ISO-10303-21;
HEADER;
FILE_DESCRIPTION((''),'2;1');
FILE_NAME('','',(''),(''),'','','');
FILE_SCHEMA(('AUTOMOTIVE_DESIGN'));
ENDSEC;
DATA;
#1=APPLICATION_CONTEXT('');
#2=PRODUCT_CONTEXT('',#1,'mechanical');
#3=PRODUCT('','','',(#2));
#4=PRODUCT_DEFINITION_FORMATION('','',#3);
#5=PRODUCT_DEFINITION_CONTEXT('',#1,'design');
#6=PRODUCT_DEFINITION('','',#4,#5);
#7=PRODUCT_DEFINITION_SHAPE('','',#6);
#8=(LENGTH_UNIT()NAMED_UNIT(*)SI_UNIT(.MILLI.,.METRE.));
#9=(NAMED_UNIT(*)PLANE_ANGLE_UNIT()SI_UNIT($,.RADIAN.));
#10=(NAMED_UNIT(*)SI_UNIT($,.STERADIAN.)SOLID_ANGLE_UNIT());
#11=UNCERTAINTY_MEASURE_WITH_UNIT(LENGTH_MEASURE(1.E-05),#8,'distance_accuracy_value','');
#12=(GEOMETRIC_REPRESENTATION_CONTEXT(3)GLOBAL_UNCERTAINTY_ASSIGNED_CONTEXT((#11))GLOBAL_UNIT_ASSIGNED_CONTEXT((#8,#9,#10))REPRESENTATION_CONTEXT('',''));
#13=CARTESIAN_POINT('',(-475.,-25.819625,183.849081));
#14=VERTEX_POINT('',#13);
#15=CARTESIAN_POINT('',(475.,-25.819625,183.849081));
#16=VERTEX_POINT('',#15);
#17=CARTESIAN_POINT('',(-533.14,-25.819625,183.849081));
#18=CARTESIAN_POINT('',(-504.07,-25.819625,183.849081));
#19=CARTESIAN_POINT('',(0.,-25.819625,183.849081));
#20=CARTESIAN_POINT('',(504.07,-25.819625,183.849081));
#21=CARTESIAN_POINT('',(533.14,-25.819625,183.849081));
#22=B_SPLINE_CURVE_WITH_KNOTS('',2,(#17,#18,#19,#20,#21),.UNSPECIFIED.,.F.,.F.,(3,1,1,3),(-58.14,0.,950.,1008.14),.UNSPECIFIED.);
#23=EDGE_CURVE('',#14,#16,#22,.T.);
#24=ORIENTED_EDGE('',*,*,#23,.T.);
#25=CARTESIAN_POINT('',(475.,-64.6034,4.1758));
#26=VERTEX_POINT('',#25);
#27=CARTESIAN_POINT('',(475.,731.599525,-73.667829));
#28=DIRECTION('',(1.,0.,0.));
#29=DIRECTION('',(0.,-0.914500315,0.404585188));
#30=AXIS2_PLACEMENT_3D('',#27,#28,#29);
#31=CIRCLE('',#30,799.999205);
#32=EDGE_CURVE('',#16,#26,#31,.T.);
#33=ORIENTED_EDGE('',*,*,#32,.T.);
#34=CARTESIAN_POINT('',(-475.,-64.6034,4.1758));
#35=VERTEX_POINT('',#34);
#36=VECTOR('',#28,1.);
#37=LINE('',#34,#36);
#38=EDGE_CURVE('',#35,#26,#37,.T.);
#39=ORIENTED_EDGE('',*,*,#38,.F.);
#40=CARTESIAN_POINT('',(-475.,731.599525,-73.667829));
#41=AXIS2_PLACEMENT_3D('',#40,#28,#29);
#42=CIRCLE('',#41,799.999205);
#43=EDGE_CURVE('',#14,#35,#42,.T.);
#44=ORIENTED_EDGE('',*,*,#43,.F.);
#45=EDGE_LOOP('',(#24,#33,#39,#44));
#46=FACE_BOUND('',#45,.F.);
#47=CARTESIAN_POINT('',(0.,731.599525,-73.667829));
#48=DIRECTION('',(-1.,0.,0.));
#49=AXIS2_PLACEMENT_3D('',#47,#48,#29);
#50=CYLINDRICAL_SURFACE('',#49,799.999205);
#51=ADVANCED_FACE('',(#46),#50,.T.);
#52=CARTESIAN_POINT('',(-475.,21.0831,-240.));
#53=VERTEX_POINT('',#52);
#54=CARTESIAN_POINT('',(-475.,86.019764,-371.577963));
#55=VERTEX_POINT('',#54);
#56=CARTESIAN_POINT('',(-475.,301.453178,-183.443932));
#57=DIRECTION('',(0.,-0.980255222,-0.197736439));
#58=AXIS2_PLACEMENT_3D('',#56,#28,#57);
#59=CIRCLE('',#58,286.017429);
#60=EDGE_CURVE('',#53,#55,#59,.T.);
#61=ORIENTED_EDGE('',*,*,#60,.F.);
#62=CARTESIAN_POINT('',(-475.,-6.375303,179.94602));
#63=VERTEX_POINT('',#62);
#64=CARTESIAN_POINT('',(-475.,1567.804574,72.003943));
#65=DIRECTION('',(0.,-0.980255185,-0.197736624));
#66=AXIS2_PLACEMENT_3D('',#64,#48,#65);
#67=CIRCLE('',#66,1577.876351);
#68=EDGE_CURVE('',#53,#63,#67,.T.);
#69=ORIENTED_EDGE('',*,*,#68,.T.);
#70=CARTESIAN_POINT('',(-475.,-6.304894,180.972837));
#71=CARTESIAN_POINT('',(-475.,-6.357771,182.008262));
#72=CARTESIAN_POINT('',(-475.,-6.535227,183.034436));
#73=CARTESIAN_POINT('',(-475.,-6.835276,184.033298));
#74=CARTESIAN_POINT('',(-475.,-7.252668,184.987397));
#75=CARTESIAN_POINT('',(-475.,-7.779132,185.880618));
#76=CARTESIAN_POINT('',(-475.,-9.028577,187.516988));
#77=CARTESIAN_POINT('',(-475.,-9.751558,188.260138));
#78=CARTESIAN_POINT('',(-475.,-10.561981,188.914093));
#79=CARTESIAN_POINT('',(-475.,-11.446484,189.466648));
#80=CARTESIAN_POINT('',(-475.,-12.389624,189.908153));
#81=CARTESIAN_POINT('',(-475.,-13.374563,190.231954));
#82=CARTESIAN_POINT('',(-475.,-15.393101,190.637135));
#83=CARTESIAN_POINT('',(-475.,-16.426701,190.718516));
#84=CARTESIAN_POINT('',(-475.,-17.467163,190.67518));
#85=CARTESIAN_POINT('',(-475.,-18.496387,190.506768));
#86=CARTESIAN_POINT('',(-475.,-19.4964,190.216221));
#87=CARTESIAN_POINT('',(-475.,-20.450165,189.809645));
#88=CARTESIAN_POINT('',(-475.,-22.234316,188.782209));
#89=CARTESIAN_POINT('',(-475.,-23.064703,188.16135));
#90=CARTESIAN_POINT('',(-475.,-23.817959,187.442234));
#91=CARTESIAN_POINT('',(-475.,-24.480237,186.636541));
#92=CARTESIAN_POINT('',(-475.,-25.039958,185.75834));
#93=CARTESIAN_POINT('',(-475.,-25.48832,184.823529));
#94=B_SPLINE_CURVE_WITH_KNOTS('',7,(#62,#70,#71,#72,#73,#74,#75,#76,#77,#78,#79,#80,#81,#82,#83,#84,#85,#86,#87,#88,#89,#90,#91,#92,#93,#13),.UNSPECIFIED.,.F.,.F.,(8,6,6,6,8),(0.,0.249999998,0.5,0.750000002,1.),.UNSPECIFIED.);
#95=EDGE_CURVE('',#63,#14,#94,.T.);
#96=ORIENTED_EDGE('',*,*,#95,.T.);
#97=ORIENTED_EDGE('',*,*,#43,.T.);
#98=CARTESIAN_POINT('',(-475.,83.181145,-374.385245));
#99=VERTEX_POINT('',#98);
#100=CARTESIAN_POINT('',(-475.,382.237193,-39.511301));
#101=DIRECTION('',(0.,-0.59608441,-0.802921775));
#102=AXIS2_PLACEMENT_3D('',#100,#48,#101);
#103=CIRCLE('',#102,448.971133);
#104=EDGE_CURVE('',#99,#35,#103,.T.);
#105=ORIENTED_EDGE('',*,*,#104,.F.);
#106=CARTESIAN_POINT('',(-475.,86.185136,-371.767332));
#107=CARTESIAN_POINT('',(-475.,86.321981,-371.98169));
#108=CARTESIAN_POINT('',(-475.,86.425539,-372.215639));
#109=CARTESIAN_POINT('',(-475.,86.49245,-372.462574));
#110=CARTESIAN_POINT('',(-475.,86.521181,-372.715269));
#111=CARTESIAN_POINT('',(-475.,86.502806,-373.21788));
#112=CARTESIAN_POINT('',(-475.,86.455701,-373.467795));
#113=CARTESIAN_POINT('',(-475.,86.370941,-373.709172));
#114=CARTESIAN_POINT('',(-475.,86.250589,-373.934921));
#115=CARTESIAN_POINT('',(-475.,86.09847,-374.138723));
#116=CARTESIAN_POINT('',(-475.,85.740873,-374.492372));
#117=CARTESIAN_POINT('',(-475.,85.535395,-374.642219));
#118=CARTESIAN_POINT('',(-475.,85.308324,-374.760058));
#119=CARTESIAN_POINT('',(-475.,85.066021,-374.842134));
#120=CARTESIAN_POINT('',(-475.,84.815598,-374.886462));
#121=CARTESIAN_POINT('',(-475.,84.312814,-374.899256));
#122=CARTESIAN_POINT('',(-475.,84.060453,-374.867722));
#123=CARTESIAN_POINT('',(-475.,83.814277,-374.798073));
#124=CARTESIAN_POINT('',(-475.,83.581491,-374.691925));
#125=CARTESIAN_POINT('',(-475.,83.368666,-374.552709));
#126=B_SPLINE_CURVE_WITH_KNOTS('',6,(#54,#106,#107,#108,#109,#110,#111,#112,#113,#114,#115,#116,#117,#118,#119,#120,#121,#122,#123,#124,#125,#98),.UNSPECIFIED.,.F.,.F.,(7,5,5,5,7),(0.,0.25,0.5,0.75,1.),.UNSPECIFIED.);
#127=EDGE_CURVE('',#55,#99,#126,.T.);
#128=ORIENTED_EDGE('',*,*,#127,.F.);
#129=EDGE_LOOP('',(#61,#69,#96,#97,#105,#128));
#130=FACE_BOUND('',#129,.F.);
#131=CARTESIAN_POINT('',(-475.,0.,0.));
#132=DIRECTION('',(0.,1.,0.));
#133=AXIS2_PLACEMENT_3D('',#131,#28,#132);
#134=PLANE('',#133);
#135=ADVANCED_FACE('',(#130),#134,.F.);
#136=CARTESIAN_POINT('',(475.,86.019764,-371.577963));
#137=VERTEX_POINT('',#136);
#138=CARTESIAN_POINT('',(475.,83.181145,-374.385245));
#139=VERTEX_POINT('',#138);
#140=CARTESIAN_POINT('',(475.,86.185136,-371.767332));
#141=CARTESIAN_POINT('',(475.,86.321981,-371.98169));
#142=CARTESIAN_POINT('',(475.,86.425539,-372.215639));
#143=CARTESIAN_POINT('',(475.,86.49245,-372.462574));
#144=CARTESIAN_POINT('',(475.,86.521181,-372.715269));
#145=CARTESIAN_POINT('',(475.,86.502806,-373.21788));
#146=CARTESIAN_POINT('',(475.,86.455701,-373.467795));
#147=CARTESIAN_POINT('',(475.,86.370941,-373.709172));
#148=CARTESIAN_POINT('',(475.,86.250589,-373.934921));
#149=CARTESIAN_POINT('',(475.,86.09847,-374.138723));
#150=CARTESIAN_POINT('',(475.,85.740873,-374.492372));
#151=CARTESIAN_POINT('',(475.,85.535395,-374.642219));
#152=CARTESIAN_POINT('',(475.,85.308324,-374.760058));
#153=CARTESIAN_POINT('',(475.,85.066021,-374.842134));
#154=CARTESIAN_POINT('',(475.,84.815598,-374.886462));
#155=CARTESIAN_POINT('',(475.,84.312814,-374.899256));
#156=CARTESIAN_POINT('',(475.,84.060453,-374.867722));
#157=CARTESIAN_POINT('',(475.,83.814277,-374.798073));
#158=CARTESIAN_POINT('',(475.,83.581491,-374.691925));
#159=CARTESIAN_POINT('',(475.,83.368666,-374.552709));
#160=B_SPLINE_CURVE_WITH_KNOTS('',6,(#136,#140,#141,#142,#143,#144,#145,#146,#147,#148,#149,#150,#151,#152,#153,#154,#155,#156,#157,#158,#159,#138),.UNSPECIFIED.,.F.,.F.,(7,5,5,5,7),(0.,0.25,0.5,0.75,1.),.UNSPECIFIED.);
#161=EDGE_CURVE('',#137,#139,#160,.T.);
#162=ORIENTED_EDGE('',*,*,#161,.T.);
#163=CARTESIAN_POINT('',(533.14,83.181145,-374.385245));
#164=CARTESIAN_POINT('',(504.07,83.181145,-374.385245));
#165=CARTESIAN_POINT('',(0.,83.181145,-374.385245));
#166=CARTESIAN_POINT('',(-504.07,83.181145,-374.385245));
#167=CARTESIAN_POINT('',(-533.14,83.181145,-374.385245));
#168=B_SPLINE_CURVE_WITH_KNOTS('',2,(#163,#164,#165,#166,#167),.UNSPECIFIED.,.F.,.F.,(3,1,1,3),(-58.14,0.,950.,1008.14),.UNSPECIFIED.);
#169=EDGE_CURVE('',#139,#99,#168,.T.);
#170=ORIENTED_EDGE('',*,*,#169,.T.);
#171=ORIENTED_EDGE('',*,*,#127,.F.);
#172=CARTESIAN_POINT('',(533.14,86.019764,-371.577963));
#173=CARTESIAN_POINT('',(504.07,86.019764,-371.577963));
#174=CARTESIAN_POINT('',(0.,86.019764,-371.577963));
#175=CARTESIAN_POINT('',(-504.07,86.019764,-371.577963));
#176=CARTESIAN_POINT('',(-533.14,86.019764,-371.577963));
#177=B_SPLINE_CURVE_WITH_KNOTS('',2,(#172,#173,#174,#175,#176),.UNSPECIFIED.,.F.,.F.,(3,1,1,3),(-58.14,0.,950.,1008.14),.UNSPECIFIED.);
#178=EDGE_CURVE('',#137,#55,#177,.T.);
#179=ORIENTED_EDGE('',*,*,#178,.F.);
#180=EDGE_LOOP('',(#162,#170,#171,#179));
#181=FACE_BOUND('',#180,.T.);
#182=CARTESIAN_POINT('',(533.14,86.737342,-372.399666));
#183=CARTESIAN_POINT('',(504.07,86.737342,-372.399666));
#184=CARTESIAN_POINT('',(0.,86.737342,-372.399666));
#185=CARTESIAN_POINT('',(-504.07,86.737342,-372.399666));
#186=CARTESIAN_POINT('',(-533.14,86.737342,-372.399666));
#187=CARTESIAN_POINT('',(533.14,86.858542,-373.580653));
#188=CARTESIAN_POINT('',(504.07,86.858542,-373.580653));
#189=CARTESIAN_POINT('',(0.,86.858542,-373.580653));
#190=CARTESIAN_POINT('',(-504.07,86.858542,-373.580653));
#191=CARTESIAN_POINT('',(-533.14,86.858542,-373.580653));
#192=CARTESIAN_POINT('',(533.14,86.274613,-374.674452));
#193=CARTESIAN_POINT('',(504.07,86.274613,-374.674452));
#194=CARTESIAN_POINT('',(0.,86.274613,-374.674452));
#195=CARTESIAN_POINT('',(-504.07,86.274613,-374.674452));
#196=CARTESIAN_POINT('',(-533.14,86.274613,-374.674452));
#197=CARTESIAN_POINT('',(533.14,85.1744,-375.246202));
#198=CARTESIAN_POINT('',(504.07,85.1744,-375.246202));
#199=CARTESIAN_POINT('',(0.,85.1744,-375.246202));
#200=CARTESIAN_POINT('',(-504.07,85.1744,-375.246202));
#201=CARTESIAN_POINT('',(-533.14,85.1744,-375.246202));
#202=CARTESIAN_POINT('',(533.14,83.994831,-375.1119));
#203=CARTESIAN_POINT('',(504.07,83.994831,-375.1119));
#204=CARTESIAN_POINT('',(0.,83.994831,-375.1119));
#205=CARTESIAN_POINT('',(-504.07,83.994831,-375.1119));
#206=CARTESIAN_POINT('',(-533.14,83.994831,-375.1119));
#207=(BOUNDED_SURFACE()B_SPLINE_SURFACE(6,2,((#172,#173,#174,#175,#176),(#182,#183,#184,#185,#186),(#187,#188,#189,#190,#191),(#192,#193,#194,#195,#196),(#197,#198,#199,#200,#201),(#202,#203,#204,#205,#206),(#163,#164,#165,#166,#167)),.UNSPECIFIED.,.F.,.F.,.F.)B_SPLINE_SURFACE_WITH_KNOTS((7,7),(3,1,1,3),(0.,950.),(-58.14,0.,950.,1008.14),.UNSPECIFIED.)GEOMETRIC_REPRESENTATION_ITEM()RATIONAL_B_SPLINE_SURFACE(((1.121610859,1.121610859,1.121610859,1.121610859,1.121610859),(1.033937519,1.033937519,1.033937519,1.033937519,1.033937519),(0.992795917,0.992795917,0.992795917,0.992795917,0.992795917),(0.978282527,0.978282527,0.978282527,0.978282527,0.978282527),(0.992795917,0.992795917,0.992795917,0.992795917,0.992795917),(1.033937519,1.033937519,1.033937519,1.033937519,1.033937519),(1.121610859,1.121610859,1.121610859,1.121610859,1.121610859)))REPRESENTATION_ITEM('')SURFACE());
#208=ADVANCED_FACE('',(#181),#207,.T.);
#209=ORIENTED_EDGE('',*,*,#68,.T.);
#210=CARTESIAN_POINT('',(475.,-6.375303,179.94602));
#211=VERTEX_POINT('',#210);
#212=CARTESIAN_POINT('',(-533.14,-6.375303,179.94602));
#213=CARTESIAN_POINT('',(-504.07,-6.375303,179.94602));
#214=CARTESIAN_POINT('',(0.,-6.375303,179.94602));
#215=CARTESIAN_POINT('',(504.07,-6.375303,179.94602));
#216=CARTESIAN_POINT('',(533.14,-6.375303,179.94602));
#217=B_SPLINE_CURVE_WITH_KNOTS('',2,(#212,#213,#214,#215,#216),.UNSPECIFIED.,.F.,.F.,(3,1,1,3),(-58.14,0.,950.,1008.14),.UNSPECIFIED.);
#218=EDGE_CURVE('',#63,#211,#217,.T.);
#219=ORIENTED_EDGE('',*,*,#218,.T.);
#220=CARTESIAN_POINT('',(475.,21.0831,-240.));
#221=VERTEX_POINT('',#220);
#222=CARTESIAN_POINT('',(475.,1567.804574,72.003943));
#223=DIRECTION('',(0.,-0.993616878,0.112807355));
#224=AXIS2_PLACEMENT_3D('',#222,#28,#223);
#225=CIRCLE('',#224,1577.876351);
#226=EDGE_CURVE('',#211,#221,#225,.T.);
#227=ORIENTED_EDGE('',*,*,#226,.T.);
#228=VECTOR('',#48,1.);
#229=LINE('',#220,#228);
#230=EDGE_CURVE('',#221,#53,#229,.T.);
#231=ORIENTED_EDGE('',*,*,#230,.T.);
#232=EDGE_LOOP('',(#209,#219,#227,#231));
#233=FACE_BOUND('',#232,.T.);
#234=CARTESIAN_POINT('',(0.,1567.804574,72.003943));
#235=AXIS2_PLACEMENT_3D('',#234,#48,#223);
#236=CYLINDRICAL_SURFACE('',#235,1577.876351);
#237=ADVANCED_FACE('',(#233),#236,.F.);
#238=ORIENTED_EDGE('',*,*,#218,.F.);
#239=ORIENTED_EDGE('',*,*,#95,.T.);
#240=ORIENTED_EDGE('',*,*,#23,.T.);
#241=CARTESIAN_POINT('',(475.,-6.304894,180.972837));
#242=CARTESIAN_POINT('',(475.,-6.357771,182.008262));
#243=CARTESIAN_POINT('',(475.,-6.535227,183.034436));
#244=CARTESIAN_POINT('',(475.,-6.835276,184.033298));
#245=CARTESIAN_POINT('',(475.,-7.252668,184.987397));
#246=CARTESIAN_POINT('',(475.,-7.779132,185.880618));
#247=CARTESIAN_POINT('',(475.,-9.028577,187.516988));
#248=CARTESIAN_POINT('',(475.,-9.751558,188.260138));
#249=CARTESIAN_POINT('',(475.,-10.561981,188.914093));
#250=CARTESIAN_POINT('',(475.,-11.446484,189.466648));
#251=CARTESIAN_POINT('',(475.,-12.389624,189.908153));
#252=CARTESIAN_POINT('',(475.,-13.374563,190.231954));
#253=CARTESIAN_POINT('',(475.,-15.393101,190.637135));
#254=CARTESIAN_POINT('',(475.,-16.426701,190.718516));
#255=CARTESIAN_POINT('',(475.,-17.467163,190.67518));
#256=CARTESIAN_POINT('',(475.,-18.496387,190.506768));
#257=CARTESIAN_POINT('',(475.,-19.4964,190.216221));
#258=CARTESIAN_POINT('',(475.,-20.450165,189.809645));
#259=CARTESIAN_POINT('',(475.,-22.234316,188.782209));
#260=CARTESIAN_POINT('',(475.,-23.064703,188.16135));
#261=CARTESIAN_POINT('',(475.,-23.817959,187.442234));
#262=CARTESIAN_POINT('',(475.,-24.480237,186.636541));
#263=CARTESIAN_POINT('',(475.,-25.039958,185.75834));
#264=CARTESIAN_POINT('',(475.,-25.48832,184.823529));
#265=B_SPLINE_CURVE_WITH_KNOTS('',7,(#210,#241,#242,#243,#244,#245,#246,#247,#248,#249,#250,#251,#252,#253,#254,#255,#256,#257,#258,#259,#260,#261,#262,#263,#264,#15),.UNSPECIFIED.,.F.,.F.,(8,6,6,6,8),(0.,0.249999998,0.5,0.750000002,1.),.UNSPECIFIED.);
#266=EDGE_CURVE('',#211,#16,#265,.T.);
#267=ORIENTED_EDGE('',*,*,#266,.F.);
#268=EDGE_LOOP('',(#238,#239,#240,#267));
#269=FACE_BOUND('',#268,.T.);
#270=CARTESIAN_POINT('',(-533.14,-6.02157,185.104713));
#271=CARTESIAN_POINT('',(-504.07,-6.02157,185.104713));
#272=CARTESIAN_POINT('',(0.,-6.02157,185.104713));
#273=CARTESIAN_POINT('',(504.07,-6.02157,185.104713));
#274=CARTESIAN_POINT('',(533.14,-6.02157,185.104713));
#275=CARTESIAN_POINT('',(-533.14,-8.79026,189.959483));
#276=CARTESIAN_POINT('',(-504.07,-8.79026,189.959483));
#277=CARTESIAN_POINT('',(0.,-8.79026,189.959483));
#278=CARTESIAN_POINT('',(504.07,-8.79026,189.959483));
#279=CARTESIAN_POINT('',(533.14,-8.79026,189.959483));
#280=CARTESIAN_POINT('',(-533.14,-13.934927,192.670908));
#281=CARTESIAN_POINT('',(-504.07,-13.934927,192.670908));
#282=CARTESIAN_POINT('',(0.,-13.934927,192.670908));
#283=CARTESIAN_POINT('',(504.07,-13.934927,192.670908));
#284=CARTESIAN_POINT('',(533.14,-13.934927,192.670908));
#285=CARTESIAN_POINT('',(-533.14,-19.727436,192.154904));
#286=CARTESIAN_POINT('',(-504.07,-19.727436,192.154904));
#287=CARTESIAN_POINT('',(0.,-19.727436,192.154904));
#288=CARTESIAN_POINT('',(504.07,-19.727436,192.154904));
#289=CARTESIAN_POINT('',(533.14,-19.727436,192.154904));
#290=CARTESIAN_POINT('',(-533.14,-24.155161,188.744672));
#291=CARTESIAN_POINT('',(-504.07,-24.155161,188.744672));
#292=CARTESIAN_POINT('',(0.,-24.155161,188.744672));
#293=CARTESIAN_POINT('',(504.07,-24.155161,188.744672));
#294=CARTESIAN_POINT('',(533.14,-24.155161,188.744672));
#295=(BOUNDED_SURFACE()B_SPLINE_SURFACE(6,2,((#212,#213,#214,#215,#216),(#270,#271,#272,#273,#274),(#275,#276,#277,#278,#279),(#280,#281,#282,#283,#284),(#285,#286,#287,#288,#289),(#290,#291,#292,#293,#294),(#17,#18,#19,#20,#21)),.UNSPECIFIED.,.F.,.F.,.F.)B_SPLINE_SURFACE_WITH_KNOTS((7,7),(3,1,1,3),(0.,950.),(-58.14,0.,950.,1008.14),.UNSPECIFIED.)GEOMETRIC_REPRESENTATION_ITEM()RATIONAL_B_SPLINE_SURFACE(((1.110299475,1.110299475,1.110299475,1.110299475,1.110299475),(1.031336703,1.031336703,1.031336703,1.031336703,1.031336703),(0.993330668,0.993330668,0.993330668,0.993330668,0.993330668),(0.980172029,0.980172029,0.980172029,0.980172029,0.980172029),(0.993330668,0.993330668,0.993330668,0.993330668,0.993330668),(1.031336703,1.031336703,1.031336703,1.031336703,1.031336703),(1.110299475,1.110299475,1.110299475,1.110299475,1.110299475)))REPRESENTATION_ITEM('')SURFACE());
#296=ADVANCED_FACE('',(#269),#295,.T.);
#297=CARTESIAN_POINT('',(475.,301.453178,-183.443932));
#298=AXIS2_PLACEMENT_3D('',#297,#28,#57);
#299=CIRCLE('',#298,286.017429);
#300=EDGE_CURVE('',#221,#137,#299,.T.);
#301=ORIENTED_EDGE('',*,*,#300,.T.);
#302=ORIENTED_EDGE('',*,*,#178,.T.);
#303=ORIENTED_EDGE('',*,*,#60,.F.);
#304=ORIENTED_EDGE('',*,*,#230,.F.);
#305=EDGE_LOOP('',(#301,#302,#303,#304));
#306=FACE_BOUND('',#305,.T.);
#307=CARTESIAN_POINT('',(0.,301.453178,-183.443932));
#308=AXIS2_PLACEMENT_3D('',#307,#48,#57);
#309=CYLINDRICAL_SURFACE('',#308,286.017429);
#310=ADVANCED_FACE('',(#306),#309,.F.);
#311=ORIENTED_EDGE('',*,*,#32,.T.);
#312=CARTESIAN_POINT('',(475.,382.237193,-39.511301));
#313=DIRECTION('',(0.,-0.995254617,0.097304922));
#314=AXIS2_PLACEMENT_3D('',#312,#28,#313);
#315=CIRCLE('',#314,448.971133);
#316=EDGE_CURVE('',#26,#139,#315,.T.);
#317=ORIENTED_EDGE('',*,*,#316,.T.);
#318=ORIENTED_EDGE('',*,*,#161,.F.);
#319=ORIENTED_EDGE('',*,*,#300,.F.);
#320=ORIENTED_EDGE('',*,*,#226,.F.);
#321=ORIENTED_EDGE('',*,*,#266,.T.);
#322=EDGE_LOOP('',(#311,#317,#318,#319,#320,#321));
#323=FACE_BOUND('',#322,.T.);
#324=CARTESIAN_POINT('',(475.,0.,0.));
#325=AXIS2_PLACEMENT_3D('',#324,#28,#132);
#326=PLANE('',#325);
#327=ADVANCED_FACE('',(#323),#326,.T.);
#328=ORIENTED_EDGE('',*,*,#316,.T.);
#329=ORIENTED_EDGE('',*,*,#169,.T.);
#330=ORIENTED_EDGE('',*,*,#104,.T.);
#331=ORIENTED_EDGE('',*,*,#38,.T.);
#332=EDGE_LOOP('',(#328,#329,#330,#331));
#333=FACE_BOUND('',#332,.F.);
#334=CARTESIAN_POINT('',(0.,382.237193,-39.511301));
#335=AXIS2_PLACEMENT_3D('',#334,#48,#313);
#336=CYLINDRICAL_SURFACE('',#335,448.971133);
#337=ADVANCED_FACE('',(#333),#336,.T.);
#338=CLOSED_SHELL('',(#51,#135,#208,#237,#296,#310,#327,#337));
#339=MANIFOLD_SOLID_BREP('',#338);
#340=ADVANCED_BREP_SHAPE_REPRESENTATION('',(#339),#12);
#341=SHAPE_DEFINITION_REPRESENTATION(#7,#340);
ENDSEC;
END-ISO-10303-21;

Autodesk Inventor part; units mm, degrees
ref_plane "YZ Plane" through (0, 0, 0) normal (1, 0, 0) x (0, 1, 0)
ref_plane "XZ Plane" through (0, 0, 0) normal (0, 1, 0) x (-1, 0, 0)
ref_plane "XY Plane" through (0, 0, 0) normal (0, 0, 1) x (1, 0, 0)
sketch "スケッチ1" plane through (0, 0, 0) normal (1, 0, 0) x (0, 1, 0)
  line L0 (0, 250) -> (114.6125, -400)
  line L1 (0, 387.8164) -> (0, -558.8236) projected
  arc A0 (0, 250) -> (21.0831, -240) centre (1567.8058, 72.0039) ccw
  arc A1 (21.0831, -240) -> (114.6125, -400) centre (301.453, -183.444) ccw
  arc A2 (0, 250) -> (-64.6034, 4.1758) centre (731.6003, -73.6681) ccw
  arc A3 (-64.6034, 4.1758) -> (114.6125, -400) centre (382.2372, -39.5113) ccw
  point P0 (0, 0)
  dimension "d0" = 10
  dimension "d1" = 650
  dimension "d4" = 250
  dimension "d10" = 1577.8776
  dimension "d11" = 286.0172
  dimension "d12" = 160
  dimension "d13" = 800
extrude "押し出し2" add sketch "スケッチ1" along normal mid plane 950 contours A0 L1 A3 A2 | A3 L1 A0 A1
fillet "フィレット3" radius 10 1 edges at (0, 0, 250)
fillet "フィレット3" radius 2 1 edges at (0, 114.6125, -400)
properties part number "cover_re" material "ポリスチレン"
